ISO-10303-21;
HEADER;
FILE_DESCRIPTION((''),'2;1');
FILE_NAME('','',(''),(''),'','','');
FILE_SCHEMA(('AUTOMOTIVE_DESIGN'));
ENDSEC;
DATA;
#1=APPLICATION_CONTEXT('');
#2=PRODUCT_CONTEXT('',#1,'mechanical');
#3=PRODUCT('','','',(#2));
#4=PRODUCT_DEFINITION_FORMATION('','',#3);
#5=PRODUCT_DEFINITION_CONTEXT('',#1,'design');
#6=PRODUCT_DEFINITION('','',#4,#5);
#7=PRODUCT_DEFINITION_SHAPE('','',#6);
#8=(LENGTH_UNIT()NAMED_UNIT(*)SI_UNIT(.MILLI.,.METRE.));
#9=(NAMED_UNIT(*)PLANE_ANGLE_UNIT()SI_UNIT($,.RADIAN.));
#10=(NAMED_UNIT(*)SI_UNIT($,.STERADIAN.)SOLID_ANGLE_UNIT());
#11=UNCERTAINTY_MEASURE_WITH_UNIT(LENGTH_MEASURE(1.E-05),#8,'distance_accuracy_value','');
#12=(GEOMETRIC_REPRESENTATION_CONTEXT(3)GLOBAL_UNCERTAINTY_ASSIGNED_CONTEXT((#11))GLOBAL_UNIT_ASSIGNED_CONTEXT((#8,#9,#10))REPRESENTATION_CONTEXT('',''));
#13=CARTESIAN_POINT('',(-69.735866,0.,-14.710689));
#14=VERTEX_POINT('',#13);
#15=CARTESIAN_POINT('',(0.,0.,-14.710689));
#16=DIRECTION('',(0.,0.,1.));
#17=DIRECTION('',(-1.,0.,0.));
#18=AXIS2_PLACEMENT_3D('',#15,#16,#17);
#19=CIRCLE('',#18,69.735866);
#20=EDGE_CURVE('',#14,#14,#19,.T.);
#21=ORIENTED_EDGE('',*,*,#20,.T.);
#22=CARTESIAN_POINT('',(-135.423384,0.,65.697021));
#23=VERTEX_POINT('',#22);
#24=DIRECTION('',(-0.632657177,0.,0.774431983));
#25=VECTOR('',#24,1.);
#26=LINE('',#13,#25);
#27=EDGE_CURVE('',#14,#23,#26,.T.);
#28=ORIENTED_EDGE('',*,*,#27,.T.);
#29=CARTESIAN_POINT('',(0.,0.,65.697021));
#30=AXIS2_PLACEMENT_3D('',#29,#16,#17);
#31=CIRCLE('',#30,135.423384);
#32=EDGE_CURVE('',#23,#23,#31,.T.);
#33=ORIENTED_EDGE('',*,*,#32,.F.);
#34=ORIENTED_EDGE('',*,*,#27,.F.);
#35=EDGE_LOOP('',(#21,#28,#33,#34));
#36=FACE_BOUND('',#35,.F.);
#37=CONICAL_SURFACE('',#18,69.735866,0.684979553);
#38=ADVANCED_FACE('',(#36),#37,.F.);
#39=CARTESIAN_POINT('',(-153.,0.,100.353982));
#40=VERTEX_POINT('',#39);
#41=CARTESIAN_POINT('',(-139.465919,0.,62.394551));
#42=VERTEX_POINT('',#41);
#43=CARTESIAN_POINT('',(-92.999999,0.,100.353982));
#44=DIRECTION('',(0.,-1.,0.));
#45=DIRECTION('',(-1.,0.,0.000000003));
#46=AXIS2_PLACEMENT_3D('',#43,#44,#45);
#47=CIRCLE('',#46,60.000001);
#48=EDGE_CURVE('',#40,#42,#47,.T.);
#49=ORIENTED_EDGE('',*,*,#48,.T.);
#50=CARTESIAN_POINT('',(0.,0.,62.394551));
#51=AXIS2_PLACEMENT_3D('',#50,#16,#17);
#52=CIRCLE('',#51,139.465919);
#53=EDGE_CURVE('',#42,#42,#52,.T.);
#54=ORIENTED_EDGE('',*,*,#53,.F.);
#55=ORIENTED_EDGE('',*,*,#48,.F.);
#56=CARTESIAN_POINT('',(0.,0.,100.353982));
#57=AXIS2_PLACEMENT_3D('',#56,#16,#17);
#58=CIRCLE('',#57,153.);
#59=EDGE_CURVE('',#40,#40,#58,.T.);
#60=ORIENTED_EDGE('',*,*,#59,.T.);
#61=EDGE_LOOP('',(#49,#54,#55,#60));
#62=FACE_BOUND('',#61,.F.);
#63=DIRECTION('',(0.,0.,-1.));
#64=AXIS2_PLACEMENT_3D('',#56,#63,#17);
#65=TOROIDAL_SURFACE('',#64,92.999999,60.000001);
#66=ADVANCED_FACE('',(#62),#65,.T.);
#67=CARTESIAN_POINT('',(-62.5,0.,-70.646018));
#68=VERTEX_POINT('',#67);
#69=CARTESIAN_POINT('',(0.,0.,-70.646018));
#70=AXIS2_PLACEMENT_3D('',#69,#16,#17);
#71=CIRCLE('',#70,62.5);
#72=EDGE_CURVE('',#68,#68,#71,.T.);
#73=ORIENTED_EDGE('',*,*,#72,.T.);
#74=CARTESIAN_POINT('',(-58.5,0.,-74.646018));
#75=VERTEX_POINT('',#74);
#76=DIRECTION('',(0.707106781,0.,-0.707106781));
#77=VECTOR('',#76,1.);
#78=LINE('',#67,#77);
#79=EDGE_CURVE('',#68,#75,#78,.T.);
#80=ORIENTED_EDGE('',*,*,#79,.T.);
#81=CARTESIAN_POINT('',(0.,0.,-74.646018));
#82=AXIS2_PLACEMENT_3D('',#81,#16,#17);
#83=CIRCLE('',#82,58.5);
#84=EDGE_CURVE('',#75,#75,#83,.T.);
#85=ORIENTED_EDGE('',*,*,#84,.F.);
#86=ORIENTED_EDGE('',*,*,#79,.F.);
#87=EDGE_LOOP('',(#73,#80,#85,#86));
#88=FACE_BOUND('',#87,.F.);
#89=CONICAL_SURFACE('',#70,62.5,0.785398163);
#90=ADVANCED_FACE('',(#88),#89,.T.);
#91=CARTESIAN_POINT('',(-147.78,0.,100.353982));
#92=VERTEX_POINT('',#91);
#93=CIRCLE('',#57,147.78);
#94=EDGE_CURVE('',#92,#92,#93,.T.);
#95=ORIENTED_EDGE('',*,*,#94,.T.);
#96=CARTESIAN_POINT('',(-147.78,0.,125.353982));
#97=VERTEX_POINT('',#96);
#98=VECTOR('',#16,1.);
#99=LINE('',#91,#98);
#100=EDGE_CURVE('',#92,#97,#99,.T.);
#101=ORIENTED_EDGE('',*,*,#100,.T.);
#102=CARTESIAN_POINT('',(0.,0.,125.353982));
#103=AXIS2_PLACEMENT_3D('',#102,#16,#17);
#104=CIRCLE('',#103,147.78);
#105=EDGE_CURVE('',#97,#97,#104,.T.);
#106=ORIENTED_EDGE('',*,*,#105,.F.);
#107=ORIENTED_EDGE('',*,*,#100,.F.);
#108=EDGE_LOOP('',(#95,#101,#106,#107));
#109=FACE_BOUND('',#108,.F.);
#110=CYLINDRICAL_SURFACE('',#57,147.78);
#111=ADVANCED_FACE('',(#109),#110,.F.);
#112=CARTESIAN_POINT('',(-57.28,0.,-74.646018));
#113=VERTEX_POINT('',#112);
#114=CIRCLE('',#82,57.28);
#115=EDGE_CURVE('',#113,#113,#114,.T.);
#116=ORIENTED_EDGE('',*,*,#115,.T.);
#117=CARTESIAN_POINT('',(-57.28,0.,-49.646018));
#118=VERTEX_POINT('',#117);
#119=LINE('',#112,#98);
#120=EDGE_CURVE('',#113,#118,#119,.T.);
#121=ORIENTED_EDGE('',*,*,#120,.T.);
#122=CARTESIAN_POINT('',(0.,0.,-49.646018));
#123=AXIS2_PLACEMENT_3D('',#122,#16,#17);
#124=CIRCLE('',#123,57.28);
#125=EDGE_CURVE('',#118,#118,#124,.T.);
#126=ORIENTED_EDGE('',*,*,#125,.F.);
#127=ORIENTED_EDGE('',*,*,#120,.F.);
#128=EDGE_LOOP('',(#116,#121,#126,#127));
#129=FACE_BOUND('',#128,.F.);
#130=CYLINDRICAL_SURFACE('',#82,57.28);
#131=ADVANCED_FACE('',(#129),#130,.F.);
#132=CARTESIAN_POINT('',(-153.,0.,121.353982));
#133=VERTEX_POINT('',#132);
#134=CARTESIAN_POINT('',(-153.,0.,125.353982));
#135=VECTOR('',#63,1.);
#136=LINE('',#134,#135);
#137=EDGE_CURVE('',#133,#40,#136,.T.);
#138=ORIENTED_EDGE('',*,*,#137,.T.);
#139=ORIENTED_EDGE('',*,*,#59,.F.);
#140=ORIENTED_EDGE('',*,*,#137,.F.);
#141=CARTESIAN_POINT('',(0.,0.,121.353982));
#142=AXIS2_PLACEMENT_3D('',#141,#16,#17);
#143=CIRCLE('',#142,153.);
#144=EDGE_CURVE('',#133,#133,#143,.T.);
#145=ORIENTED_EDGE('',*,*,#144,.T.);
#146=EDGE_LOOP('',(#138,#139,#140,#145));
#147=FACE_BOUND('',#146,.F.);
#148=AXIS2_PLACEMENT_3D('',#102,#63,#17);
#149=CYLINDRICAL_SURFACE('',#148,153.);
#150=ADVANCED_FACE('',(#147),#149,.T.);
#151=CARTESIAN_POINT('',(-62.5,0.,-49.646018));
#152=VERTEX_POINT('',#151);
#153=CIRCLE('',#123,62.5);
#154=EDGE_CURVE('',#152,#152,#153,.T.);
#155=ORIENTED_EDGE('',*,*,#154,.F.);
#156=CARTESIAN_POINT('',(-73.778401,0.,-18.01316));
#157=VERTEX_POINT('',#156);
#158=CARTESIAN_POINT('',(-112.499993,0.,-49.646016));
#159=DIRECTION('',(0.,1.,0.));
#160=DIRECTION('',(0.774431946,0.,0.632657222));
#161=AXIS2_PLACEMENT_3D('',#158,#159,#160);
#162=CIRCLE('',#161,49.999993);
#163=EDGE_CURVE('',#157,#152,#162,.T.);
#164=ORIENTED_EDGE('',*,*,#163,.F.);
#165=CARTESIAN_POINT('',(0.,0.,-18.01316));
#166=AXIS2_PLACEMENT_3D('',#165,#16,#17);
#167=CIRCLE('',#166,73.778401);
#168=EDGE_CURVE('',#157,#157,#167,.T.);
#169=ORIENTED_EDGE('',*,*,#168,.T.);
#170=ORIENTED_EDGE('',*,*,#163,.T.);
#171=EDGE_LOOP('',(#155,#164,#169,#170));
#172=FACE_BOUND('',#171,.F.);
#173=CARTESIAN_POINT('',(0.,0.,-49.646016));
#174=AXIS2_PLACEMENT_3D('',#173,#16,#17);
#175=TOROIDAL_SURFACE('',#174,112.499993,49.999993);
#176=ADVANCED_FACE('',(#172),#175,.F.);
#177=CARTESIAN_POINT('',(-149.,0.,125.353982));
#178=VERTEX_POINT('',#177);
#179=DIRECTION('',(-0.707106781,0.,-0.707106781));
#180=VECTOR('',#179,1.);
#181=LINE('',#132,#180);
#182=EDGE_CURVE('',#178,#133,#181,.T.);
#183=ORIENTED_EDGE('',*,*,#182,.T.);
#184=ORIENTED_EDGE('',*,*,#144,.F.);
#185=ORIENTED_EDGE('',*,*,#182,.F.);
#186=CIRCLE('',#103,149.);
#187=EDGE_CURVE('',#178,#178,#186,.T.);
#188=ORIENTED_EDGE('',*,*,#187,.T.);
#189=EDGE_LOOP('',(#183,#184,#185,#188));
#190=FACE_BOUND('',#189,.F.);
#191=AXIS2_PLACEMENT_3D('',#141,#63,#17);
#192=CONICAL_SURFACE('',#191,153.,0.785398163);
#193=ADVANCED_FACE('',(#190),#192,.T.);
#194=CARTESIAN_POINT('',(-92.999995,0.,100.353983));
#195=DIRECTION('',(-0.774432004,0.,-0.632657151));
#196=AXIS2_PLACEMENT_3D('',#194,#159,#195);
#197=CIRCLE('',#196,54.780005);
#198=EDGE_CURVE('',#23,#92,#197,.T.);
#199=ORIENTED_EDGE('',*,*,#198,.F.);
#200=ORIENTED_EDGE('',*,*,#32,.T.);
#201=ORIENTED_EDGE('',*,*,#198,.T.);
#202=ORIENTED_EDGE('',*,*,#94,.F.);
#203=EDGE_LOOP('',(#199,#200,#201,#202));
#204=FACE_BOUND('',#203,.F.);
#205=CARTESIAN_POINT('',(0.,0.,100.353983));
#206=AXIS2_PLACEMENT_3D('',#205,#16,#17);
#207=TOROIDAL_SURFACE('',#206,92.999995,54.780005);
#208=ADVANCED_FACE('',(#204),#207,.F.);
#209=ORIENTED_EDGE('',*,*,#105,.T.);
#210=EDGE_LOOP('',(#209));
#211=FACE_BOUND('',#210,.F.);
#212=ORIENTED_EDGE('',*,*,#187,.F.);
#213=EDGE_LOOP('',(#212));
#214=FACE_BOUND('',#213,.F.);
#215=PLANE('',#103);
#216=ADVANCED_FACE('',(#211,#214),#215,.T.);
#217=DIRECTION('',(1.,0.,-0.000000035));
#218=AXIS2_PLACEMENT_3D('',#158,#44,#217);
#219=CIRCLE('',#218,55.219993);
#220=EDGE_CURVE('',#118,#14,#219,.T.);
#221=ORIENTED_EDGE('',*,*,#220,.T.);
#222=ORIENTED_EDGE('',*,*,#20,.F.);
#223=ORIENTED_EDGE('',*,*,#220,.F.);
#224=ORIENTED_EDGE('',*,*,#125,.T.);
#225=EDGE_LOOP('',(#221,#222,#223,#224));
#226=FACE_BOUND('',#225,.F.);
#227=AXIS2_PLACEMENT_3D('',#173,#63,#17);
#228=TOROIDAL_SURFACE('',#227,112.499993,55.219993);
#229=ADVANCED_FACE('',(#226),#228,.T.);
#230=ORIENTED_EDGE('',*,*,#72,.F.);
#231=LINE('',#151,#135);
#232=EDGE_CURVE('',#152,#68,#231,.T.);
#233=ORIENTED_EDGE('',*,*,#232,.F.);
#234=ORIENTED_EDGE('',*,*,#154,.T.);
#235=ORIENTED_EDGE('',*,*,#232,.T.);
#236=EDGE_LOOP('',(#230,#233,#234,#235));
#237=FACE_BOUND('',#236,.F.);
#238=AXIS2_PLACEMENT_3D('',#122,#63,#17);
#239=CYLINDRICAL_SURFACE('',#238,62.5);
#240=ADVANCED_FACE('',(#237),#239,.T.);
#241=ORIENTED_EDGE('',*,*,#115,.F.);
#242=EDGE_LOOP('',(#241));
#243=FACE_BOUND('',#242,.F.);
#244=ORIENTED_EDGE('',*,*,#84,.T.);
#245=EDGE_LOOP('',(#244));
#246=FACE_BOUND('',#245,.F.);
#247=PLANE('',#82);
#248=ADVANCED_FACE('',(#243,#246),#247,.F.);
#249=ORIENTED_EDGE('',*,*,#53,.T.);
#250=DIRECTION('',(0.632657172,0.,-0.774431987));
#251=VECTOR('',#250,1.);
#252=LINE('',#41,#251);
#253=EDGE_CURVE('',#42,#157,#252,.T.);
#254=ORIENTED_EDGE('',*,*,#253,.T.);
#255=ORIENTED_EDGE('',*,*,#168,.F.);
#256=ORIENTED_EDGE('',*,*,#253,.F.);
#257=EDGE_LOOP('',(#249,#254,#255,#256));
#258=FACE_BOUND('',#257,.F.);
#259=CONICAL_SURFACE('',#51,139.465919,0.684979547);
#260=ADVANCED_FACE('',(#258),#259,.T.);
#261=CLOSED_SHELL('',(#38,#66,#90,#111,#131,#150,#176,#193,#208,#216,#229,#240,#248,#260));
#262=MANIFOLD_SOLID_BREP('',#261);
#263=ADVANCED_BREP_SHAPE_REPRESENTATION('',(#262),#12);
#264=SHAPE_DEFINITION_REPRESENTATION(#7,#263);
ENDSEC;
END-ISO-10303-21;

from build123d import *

# Parameters (mm, degrees)
F2_SIZE = 4


with BuildPart() as f1:
    # F0 (on Front) → F1 (revolve)
    with BuildSketch(Plane.XZ):
        with BuildLine():
            Line((-147.78, 125.353982), (-153, 125.353982))
            Line((-153, 125.353982), (-153, 100.353982))
            ThreePointArc((-153, 100.353982), (-149.515286, 80.203983), (-139.465919, 62.394551))
            Line((-139.465919, 62.394551), (-73.778401, -18.01316))
            ThreePointArc((-73.778401, -18.01316), (-65.403928, -32.854353), (-62.5, -49.646018))
            Line((-62.5, -49.646018), (-62.5, -74.646018))
            Line((-62.5, -74.646018), (-57.28, -74.646018))
            Line((-57.28, -74.646018), (-57.28, -49.646018))
            ThreePointArc((-57.28, -49.646018), (-60.487098, -31.101303), (-69.735866, -14.710689))
            Line((-69.735866, -14.710689), (-135.423384, 65.697021))
            ThreePointArc((-135.423384, 65.697021), (-144.598456, 81.957033), (-147.78, 100.353982))
            Line((-147.78, 100.353982), (-147.78, 125.353982))
        make_face()
    revolve(axis=Axis((0, 0, 32.767496), (0, 0, 1)))

    # F2
    f2_edges = [f1.edges().sort_by_distance(p)[0] for p in [
        (153, 0, 125.353982),
        (62.5, 0, -74.646018),
    ]]
    chamfer(f2_edges, length=F2_SIZE)


solid = f1.part
